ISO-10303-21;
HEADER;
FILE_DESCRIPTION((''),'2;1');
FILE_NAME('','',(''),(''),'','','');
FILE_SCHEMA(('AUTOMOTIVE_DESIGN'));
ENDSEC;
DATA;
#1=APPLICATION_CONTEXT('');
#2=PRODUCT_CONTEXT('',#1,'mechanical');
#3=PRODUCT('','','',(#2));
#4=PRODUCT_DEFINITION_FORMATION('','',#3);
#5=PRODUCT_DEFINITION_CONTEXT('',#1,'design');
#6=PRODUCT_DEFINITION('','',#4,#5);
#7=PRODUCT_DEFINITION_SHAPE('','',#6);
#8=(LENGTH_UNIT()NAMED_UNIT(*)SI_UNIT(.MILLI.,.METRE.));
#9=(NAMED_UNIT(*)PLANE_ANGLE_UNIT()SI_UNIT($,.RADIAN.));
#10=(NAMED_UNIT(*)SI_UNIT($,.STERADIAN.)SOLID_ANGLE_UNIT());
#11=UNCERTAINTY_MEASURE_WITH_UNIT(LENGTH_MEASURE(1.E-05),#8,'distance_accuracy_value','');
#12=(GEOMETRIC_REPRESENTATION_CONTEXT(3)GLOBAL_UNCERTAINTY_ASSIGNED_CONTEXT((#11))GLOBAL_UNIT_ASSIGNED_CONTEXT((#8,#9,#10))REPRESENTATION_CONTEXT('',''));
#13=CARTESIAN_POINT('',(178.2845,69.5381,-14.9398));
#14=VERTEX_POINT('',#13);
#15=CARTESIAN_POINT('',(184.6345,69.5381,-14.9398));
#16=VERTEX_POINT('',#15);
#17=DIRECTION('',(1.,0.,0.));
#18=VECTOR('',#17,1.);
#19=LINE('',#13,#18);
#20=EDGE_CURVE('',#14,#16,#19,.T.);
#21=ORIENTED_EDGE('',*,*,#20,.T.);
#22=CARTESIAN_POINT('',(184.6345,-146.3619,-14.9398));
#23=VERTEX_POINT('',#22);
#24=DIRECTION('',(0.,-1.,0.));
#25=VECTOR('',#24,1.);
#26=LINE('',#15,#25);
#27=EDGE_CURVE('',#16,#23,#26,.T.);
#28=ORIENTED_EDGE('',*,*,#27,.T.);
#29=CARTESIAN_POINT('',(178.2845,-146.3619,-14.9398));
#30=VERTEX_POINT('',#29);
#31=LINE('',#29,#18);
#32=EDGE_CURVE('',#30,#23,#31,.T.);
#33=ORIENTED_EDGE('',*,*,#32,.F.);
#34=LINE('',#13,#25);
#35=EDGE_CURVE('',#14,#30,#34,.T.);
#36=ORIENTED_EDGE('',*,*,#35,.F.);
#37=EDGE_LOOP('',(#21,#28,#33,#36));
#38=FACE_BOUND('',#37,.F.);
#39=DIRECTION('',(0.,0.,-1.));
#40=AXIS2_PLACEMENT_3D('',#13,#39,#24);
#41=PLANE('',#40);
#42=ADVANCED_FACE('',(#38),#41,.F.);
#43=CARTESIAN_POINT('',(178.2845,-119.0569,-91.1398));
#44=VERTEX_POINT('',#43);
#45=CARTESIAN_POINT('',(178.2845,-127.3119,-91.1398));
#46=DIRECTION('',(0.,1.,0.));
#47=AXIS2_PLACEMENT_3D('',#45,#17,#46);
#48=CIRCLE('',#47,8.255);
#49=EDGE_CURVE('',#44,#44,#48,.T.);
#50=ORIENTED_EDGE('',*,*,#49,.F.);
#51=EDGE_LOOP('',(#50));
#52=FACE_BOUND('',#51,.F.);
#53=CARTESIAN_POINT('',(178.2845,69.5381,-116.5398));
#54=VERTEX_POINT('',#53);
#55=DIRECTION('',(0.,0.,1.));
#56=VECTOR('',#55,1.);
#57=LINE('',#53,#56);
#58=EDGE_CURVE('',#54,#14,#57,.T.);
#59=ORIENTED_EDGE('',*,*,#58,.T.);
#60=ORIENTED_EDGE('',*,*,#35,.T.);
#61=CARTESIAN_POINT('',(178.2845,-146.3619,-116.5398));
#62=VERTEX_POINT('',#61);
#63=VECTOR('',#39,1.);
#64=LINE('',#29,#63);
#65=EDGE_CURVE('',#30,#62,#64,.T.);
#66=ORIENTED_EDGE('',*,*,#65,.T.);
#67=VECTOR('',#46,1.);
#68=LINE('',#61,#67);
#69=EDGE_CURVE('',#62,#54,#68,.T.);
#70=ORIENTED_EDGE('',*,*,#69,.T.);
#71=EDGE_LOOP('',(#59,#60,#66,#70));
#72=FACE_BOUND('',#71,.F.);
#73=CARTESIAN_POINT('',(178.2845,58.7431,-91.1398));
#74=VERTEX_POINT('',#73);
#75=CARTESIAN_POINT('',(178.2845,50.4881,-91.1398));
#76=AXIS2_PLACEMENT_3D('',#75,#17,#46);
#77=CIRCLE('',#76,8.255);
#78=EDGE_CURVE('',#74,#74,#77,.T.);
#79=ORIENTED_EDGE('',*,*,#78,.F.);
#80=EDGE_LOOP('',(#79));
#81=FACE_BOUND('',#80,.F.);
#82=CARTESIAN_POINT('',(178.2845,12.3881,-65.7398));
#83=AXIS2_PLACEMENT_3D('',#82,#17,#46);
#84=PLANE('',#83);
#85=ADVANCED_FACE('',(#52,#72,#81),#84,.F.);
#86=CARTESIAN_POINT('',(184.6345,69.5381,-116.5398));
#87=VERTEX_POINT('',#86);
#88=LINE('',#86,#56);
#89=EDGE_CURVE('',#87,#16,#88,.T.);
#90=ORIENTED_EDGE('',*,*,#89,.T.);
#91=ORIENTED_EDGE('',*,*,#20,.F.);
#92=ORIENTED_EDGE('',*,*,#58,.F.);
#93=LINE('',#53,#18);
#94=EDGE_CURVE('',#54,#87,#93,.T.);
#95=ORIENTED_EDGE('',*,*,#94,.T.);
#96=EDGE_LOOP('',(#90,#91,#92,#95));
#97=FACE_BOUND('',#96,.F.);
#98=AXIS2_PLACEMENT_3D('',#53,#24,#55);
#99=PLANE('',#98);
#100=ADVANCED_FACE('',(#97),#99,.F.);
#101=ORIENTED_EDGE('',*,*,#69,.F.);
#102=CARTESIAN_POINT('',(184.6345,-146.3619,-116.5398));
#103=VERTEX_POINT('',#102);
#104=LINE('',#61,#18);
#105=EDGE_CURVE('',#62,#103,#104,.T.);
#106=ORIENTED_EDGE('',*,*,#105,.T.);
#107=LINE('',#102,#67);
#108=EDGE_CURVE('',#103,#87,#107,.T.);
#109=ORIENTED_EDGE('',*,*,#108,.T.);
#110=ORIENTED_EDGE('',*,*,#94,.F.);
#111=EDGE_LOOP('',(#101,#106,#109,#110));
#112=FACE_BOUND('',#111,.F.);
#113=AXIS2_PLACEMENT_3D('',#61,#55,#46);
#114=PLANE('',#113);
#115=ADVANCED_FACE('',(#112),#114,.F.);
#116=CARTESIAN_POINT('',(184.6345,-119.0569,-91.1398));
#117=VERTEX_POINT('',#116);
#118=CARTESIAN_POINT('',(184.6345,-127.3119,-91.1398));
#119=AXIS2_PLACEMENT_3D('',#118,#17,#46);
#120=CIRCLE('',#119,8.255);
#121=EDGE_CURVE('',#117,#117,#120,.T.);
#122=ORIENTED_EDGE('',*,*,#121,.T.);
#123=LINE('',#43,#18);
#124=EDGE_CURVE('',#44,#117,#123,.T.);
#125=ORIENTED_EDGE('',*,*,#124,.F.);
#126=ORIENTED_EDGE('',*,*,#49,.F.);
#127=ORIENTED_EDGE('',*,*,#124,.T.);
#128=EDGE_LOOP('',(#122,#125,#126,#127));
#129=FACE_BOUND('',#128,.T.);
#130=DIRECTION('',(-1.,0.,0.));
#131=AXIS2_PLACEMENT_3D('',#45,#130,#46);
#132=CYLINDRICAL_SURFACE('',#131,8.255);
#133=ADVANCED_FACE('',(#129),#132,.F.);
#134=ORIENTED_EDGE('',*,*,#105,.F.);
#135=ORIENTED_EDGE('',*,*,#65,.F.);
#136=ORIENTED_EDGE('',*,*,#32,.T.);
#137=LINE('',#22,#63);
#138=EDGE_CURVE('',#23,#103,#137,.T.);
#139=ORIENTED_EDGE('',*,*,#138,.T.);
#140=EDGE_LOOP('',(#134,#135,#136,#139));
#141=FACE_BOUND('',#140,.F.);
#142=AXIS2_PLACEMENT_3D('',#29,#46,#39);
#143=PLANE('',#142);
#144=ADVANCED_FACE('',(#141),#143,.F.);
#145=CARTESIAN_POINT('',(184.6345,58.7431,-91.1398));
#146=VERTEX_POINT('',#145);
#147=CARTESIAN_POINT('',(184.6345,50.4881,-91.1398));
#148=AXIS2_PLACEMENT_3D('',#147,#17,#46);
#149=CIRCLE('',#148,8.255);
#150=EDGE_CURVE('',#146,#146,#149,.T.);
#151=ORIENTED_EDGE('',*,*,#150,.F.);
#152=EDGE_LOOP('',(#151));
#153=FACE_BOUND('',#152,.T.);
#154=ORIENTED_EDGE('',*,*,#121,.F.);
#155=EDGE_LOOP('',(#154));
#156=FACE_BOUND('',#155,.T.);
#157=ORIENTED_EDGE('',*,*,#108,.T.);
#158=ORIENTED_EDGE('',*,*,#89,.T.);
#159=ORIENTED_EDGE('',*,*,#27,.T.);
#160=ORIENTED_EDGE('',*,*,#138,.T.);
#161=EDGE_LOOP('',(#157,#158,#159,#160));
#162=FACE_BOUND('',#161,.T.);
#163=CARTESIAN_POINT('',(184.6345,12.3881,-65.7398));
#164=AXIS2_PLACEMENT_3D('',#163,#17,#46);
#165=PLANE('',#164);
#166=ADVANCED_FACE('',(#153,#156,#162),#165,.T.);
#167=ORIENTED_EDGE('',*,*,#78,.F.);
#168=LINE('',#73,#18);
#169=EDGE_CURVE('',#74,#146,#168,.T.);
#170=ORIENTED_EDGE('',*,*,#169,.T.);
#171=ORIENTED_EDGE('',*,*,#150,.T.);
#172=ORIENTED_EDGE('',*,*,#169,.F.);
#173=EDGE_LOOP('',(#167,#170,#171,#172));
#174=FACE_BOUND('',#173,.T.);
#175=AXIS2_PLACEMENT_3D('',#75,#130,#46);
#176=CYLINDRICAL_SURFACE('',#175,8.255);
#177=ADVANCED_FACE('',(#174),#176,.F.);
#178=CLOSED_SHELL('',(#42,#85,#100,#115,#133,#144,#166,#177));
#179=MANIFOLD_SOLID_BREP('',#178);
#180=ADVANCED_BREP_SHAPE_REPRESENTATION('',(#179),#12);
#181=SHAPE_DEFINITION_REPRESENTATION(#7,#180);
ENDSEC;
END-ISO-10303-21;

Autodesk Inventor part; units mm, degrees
ref_plane "YZ Plane" through (0, 0, 0) normal (1, 0, 0) x (0, 1, 0)
ref_plane "XZ Plane" through (0, 0, 0) normal (0, 1, 0) x (-1, 0, 0)
ref_plane "XY Plane" through (0, 0, 0) normal (0, 0, 1) x (1, 0, 0)
ref_plane "Work Plane1" through (178.2845, 12.3881, -65.7398) normal (1, 0, 0) x (0, 1, 0)
sketch "Sketch1" plane through (178.2845, 12.3881, -65.7398) normal (1, 0, 0) x (0, 1, 0)
  line L0 (57.15, 50.8) -> (-158.75, 50.8)
  line L1 (-158.75, 50.8) -> (-158.75, -50.8)
  line L2 (-158.75, -50.8) -> (57.15, -50.8)
  line L3 (57.15, -50.8) -> (57.15, 50.8)
  line L4 (63.5, -127) -> (-165.1, -127) construction
  line L5 (19.05, 0) -> (19.05, -127) construction
  circle A0 centre (38.1, -25.4) radius 8.255
  circle A1 centre (-139.7, -25.4) radius 8.255
  point P0 (-12.3881, 65.7398)
  point P1 (-50.8, -127)
  point P2 (-50.8, -50.8)
  point P3 (57.15, 0)
  dimension "d0" = 101.6
  dimension "d1" = 215.9
  dimension "d2" = 16.51
  dimension "d3" = 177.8
  dimension "d4" = 19.05
  dimension "d5" = 25.4
extrude "Extrusion1" add sketch "Sketch1" along normal blind 6.35
properties part number "class3" material "Iron, Ductile"
